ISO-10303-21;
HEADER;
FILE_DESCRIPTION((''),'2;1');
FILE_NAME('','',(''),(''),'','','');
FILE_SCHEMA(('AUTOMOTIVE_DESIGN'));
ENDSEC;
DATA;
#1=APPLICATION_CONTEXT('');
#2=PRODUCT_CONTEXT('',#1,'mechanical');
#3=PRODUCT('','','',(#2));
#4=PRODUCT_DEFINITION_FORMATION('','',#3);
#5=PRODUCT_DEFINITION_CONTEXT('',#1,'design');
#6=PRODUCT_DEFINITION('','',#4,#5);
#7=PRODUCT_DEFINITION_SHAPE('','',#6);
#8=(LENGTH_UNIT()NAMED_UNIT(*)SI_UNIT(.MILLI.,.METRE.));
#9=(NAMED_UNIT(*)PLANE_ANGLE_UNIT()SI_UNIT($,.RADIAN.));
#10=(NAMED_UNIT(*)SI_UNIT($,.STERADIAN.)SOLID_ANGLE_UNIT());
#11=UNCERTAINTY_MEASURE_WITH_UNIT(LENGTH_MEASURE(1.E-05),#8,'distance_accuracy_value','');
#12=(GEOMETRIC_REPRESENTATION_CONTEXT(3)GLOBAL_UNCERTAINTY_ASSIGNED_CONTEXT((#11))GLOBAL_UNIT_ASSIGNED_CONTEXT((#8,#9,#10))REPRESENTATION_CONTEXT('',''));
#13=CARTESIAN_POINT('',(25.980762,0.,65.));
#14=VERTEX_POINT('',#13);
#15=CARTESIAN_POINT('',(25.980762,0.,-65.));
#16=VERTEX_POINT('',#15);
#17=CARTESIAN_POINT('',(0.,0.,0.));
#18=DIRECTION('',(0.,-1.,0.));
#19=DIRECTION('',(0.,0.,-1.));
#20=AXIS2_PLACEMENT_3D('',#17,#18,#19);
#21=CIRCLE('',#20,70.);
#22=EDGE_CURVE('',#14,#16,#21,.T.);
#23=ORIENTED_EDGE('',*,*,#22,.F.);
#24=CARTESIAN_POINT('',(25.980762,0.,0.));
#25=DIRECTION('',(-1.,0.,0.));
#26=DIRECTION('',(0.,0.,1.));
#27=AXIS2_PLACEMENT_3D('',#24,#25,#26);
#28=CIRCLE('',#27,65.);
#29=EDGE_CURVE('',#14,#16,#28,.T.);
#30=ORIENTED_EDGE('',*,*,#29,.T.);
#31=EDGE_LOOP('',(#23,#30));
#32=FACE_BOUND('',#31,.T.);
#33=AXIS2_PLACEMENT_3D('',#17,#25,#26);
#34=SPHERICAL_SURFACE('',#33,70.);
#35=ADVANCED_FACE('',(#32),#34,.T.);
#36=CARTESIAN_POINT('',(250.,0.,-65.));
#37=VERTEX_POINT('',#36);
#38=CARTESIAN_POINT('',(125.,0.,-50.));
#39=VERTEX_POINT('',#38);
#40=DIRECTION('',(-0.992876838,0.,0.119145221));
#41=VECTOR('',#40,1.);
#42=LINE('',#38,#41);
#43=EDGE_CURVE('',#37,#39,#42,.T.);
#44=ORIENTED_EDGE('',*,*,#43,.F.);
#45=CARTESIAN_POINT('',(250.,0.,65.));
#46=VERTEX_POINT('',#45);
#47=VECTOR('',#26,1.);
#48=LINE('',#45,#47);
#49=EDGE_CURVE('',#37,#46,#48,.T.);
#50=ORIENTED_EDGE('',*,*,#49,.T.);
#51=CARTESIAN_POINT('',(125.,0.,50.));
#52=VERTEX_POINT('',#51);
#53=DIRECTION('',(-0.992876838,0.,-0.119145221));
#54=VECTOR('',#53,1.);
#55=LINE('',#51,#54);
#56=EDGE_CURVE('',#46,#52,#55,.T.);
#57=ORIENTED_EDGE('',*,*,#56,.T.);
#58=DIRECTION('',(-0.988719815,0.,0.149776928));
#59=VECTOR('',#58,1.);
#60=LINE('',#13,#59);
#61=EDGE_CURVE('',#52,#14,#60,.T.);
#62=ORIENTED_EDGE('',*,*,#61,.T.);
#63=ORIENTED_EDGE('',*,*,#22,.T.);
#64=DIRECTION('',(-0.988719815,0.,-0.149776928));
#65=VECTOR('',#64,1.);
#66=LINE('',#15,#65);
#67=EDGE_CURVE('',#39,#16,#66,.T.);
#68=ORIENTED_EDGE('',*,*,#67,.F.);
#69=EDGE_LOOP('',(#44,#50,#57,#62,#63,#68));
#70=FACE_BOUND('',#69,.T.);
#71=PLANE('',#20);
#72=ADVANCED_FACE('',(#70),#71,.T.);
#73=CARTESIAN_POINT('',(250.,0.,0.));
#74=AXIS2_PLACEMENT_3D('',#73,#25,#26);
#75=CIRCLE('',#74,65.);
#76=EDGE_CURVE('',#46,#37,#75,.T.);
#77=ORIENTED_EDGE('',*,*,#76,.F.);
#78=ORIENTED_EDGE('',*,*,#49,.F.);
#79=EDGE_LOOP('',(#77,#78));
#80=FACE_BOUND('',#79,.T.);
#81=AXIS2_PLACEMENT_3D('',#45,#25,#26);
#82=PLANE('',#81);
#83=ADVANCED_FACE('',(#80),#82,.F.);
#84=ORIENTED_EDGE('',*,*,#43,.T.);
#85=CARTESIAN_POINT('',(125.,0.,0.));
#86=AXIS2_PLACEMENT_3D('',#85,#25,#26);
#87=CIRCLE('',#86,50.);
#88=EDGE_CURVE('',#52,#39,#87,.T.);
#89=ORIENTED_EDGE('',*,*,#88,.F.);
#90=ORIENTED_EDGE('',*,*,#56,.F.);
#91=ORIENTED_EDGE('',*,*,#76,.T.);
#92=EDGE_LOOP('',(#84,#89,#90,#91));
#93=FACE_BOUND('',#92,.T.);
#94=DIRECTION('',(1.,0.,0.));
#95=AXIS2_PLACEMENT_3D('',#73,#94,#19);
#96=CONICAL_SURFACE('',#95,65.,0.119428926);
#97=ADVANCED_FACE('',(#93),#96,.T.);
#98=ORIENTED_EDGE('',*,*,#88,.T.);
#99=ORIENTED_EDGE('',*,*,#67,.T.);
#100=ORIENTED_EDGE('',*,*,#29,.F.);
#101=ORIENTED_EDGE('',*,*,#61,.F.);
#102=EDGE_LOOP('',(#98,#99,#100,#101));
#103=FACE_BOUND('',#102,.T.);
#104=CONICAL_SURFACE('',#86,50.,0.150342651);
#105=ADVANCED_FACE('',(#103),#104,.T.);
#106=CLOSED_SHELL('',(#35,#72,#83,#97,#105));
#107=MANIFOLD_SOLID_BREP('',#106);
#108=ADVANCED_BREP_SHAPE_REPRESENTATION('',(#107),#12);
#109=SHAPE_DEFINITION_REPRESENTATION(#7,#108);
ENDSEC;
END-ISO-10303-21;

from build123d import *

# Parameters (mm, degrees)
REVOLVE_1_ANGLE = 180


with BuildPart() as part:
    # Эскиз1 → Повернуть1 (revolve)
    with BuildSketch(Plane(origin=(0, 0, 0), x_dir=(1, 0, 0), z_dir=(0, 1, 0))):
        with BuildLine():
            Line((0, 0), (250, 0))
            Line((250, 0), (250, 65))
            Line((250, 65), (125, 50))
            Line((125, 50), (25.980762114, 65))
            ThreePointArc((25.980762114, 65), (-39.251411771, 57.959698705), (-70, 0))
            Line((-70, 0), (0, 0))
        make_face()
    revolve(axis=Axis((0, 0, 0), (1, 0, 0)), revolution_arc=REVOLVE_1_ANGLE)


solid = part.part
